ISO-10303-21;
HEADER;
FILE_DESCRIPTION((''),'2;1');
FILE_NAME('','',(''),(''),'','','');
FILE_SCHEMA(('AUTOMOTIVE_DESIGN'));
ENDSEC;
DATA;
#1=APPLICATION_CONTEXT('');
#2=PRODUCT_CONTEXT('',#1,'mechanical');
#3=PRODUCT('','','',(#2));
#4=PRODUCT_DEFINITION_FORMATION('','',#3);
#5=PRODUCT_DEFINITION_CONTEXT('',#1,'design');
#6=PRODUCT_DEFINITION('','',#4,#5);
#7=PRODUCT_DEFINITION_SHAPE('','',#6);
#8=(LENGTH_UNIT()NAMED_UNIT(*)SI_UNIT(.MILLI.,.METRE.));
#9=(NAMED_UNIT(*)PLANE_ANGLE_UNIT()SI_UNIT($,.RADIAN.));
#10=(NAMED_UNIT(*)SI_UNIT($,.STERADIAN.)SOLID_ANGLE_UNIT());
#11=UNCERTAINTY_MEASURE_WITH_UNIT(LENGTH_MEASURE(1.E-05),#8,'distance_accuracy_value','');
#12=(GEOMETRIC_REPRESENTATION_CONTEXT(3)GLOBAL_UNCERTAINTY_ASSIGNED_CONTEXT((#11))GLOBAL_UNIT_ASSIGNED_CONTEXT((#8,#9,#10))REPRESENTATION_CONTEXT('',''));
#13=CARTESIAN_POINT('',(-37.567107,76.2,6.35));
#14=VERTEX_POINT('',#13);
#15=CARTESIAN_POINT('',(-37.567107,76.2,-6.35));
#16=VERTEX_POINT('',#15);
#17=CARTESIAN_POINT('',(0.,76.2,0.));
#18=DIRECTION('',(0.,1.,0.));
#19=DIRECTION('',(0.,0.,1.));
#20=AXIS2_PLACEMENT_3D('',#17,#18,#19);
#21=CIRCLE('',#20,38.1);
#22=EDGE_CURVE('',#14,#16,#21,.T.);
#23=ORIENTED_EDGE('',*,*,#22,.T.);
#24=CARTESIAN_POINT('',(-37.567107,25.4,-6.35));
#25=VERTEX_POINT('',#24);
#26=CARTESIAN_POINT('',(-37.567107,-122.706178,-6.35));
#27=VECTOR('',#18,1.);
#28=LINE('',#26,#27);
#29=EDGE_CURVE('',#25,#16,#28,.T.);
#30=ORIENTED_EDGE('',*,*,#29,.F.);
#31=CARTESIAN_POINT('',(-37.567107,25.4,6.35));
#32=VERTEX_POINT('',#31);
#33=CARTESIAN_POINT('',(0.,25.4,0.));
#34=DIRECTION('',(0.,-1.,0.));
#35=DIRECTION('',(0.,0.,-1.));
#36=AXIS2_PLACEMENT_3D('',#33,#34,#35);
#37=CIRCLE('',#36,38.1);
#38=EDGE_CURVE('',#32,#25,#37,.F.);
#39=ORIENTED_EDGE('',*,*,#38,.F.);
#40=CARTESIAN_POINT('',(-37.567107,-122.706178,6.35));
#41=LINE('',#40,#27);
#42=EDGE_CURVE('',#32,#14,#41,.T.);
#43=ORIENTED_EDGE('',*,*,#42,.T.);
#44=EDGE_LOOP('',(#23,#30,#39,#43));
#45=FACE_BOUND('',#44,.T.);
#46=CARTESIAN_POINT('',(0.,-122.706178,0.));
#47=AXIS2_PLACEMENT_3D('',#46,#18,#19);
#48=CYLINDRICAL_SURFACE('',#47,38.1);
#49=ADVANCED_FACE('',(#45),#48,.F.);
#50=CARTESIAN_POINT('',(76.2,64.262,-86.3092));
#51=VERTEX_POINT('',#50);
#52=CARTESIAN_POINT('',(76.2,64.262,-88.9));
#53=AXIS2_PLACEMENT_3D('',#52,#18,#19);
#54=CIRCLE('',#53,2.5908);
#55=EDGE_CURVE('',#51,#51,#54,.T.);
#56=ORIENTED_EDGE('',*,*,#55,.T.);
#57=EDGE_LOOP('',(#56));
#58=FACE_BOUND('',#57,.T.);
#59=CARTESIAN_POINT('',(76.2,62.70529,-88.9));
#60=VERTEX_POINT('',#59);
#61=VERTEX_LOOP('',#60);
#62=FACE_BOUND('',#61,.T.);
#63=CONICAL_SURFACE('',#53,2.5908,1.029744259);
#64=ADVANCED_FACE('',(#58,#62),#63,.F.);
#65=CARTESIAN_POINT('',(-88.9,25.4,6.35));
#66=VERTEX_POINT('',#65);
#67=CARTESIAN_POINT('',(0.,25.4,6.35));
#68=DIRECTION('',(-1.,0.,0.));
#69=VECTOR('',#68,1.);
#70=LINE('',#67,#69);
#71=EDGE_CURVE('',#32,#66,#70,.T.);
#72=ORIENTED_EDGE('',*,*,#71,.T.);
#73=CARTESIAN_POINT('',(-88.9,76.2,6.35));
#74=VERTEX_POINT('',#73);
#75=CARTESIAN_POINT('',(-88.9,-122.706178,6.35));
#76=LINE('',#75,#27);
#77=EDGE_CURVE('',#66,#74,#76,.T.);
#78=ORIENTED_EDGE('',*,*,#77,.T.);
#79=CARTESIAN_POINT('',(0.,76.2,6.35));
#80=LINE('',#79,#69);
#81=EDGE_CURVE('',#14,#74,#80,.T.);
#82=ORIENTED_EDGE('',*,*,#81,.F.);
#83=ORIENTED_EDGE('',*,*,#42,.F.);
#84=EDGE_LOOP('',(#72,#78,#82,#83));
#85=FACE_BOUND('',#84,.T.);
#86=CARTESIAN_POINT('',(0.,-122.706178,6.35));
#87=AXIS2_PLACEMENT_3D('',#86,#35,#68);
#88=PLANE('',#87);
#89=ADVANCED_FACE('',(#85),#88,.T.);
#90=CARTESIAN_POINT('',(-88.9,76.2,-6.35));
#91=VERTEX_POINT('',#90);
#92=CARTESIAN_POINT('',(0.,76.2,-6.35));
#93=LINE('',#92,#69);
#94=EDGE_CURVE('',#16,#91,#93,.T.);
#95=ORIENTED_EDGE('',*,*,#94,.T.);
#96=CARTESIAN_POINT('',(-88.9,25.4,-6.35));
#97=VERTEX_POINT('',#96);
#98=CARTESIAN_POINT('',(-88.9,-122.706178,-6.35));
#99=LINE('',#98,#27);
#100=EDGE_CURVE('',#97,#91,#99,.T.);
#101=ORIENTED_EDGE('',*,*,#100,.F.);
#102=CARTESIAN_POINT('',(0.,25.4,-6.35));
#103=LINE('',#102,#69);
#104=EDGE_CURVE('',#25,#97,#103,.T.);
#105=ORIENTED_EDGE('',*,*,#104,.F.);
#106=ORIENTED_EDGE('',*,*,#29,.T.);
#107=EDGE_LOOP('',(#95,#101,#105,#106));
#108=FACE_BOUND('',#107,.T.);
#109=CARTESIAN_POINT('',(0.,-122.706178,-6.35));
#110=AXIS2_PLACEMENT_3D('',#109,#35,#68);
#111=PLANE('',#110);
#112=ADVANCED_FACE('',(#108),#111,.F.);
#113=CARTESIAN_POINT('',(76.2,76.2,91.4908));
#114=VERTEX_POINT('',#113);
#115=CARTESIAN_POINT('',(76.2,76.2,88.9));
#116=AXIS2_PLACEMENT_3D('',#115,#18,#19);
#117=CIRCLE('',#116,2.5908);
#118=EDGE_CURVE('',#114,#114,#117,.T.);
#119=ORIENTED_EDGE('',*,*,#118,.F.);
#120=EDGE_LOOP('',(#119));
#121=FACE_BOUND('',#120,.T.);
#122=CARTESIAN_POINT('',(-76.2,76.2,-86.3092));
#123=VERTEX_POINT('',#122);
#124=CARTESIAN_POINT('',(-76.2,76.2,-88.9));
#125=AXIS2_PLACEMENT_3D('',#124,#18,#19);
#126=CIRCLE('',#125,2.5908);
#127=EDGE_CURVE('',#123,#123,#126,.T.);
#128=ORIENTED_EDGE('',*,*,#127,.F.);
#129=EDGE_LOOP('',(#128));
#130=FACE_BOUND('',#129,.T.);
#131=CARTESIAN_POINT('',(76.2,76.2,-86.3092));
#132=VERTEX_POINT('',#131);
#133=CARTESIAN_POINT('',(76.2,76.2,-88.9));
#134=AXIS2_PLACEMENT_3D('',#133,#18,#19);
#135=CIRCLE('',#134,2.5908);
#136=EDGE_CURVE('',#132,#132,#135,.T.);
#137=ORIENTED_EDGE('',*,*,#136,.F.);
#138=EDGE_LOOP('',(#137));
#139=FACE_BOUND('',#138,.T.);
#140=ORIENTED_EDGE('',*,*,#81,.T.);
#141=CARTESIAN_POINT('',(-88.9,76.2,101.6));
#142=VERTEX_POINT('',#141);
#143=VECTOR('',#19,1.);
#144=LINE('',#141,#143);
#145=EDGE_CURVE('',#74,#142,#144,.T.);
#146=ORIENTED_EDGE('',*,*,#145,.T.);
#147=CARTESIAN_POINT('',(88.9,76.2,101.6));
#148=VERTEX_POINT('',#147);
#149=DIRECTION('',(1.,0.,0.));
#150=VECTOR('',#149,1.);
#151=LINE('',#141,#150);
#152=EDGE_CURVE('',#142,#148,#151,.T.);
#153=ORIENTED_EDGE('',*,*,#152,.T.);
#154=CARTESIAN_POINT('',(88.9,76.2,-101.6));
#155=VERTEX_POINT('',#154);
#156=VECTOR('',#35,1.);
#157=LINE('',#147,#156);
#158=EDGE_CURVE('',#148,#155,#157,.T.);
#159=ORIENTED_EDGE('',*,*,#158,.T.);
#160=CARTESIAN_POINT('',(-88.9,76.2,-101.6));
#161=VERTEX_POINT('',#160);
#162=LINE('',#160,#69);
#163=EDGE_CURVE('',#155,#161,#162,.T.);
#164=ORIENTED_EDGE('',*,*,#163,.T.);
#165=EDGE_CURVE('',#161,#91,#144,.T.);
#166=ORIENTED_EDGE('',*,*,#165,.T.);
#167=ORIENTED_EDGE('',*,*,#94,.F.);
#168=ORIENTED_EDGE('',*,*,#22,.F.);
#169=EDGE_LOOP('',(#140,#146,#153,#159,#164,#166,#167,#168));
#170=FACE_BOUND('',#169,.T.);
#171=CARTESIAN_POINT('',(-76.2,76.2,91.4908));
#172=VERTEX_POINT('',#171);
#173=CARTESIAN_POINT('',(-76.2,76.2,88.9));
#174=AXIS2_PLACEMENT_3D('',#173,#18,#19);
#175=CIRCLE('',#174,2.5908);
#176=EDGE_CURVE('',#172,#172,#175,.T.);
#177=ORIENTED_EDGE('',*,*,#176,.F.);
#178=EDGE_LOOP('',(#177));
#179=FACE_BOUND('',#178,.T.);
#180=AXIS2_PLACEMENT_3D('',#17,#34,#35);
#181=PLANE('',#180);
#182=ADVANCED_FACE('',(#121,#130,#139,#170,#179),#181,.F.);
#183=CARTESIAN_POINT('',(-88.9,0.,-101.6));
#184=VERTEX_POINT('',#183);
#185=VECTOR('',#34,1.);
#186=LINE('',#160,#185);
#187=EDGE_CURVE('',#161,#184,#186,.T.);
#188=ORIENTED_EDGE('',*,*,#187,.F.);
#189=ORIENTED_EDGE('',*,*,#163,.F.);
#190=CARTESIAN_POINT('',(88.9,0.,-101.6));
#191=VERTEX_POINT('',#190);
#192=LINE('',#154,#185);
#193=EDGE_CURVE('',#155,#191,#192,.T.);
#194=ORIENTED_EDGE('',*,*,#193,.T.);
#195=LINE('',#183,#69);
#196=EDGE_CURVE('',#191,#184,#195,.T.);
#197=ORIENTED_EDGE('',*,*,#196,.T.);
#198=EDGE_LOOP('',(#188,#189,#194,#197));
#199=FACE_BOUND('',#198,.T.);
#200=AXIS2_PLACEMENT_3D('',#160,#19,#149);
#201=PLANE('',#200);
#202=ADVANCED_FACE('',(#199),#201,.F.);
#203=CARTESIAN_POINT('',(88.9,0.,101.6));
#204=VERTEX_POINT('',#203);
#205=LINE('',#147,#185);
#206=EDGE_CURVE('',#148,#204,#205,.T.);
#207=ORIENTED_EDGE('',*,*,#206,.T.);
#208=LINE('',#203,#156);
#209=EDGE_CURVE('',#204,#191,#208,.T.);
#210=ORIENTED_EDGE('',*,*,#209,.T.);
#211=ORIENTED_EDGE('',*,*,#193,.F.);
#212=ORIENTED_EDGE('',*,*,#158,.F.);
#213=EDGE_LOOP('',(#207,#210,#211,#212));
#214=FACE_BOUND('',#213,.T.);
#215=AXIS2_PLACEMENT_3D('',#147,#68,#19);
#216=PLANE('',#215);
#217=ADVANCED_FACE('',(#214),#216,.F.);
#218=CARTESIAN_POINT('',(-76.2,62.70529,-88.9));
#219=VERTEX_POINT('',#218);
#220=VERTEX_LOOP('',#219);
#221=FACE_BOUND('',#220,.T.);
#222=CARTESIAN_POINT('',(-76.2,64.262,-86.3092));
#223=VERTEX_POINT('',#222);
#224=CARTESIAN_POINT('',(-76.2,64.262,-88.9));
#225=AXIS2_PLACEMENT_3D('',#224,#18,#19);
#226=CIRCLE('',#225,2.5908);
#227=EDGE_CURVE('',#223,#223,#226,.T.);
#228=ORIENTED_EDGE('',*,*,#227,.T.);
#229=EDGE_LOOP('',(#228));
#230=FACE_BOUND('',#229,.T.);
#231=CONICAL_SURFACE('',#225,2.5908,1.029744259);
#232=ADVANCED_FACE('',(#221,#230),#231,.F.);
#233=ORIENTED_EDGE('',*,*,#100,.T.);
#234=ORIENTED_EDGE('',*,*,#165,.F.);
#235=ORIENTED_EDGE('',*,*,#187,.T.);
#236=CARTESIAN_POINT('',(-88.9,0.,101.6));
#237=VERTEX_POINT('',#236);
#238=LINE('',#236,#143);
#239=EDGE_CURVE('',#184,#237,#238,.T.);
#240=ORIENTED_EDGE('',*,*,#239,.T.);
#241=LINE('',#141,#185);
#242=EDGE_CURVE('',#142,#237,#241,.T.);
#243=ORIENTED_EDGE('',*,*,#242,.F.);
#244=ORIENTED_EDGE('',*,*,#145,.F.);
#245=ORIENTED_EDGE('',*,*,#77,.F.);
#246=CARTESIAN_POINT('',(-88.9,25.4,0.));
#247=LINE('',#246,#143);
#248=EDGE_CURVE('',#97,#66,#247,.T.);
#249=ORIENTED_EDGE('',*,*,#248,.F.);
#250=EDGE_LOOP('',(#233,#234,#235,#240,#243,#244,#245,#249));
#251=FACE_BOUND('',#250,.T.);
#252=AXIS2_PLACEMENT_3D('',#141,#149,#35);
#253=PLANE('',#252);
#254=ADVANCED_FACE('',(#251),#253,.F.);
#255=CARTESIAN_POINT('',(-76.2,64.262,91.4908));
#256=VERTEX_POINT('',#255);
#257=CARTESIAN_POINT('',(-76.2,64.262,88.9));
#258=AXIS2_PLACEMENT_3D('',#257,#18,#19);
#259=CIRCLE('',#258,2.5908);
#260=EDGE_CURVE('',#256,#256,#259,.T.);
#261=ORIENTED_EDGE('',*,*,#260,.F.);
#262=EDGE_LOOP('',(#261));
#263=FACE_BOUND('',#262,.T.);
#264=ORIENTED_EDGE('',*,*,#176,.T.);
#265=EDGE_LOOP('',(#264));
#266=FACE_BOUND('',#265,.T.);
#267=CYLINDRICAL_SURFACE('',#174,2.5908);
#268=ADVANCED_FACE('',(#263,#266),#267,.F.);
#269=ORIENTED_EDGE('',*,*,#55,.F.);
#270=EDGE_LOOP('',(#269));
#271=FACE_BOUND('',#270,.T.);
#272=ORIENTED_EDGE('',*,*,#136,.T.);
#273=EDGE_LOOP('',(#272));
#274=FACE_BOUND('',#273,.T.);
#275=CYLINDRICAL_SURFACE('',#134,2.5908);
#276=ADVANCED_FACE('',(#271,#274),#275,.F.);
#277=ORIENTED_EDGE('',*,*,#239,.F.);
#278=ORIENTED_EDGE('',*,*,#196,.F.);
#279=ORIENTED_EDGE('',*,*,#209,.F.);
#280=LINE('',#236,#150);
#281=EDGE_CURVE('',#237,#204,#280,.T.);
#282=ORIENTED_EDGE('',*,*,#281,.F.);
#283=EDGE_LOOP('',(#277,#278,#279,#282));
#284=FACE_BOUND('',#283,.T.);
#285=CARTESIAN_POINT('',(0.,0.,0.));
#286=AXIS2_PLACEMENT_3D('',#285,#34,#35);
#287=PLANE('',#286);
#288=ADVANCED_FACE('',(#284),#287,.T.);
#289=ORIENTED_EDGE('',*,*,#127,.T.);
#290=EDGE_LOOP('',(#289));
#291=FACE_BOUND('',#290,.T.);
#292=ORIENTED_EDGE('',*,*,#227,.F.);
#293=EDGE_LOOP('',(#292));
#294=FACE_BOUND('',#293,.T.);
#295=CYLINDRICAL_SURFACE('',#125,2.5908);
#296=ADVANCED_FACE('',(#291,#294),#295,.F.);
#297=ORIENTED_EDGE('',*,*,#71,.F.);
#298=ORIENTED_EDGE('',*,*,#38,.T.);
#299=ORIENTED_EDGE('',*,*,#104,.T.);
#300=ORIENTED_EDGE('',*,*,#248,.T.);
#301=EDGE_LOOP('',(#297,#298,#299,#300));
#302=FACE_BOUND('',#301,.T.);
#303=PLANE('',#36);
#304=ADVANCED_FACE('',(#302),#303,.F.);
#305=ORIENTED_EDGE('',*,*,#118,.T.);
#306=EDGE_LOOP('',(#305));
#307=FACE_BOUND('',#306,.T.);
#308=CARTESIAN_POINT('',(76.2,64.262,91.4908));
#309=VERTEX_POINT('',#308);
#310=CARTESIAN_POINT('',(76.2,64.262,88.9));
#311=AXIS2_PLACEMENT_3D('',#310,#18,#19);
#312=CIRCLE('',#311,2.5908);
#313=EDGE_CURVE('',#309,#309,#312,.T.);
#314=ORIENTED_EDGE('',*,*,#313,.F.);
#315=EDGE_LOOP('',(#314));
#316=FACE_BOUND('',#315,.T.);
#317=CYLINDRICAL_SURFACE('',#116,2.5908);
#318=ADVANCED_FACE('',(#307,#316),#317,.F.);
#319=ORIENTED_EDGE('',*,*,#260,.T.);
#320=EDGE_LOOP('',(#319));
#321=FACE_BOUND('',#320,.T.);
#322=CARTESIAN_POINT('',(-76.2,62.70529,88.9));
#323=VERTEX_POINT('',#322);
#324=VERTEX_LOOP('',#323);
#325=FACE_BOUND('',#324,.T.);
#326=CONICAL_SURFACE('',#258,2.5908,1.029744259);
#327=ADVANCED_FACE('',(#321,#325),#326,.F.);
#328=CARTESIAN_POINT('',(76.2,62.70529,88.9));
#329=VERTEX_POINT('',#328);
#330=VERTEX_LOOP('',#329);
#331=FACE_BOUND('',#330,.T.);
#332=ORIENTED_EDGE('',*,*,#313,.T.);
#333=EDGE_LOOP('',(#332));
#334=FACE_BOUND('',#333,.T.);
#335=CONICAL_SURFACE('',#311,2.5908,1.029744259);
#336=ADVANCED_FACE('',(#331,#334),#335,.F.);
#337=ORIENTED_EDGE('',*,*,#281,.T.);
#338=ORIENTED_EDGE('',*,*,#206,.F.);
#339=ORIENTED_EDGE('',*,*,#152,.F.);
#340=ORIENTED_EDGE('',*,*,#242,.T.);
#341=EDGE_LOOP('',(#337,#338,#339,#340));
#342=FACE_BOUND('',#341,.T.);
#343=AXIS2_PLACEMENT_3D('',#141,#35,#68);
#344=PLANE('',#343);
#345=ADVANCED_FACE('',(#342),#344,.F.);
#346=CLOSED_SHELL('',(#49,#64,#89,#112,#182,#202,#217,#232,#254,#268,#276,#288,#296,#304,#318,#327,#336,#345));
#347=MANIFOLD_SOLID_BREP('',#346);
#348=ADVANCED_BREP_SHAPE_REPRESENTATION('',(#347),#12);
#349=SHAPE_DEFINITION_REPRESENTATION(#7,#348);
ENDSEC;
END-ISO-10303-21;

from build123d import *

# Parameters (mm, degrees)
SKETCH1_W                      = 177.8
SKETCH1_H                      = 203.2
BOSS_EXTRUDE1_DEPTH            = 76.2
F_6_0_204_DIAMETER_HOLE1_D     = 5.1816
F_6_0_204_DIAMETER_HOLE1_DEPTH = 11.938
F_6_0_204_DIAMETER_HOLE1_TIP   = 1.556709692
CUT_EXTRUDE1_START             = -50.8
CUT_EXTRUDE1_DEPTH             = 50.8


with BuildPart() as part:
    # Sketch1 → Boss-Extrude1 (new body)
    with BuildSketch(Plane(origin=(0, 0, 0), x_dir=(1, 0, 0), z_dir=(0, 1, 0))):
        Rectangle(SKETCH1_W, SKETCH1_H)
    extrude(amount=BOSS_EXTRUDE1_DEPTH)

    # #6 (0.204) Diameter Hole1
    with Locations(Plane(origin=(0, 76.2, 0), x_dir=(1, 0, 0), z_dir=(0, 1, 0))):
        with Locations((76.2, 88.9), (76.2, -88.9), (-76.2, -88.9), (-76.2, 88.9)):
            Hole(F_6_0_204_DIAMETER_HOLE1_D / 2, depth=F_6_0_204_DIAMETER_HOLE1_DEPTH)
            with Locations((0, 0, -(F_6_0_204_DIAMETER_HOLE1_DEPTH + F_6_0_204_DIAMETER_HOLE1_TIP / 2))):  # 118° drill point
                Cone(0, F_6_0_204_DIAMETER_HOLE1_D / 2, F_6_0_204_DIAMETER_HOLE1_TIP, mode=Mode.SUBTRACT)

    # Sketch4 → Cut-Extrude1 (cut)
    with BuildSketch(Plane(origin=(0, 76.2, 0), x_dir=(1, 0, 0), z_dir=(0, 1, 0)).offset(CUT_EXTRUDE1_START)):
        with BuildLine():
            ThreePointArc((-37.567106623, -6.35), (38.1, 0), (-37.567106623, 6.35))
            Line((-37.567106623, 6.35), (-88.9, 6.35))
            Line((-88.9, 6.35), (-88.9, -6.35))
            Line((-88.9, -6.35), (-37.567106623, -6.35))
        make_face()
    extrude(amount=CUT_EXTRUDE1_DEPTH, mode=Mode.SUBTRACT)


solid = part.part
